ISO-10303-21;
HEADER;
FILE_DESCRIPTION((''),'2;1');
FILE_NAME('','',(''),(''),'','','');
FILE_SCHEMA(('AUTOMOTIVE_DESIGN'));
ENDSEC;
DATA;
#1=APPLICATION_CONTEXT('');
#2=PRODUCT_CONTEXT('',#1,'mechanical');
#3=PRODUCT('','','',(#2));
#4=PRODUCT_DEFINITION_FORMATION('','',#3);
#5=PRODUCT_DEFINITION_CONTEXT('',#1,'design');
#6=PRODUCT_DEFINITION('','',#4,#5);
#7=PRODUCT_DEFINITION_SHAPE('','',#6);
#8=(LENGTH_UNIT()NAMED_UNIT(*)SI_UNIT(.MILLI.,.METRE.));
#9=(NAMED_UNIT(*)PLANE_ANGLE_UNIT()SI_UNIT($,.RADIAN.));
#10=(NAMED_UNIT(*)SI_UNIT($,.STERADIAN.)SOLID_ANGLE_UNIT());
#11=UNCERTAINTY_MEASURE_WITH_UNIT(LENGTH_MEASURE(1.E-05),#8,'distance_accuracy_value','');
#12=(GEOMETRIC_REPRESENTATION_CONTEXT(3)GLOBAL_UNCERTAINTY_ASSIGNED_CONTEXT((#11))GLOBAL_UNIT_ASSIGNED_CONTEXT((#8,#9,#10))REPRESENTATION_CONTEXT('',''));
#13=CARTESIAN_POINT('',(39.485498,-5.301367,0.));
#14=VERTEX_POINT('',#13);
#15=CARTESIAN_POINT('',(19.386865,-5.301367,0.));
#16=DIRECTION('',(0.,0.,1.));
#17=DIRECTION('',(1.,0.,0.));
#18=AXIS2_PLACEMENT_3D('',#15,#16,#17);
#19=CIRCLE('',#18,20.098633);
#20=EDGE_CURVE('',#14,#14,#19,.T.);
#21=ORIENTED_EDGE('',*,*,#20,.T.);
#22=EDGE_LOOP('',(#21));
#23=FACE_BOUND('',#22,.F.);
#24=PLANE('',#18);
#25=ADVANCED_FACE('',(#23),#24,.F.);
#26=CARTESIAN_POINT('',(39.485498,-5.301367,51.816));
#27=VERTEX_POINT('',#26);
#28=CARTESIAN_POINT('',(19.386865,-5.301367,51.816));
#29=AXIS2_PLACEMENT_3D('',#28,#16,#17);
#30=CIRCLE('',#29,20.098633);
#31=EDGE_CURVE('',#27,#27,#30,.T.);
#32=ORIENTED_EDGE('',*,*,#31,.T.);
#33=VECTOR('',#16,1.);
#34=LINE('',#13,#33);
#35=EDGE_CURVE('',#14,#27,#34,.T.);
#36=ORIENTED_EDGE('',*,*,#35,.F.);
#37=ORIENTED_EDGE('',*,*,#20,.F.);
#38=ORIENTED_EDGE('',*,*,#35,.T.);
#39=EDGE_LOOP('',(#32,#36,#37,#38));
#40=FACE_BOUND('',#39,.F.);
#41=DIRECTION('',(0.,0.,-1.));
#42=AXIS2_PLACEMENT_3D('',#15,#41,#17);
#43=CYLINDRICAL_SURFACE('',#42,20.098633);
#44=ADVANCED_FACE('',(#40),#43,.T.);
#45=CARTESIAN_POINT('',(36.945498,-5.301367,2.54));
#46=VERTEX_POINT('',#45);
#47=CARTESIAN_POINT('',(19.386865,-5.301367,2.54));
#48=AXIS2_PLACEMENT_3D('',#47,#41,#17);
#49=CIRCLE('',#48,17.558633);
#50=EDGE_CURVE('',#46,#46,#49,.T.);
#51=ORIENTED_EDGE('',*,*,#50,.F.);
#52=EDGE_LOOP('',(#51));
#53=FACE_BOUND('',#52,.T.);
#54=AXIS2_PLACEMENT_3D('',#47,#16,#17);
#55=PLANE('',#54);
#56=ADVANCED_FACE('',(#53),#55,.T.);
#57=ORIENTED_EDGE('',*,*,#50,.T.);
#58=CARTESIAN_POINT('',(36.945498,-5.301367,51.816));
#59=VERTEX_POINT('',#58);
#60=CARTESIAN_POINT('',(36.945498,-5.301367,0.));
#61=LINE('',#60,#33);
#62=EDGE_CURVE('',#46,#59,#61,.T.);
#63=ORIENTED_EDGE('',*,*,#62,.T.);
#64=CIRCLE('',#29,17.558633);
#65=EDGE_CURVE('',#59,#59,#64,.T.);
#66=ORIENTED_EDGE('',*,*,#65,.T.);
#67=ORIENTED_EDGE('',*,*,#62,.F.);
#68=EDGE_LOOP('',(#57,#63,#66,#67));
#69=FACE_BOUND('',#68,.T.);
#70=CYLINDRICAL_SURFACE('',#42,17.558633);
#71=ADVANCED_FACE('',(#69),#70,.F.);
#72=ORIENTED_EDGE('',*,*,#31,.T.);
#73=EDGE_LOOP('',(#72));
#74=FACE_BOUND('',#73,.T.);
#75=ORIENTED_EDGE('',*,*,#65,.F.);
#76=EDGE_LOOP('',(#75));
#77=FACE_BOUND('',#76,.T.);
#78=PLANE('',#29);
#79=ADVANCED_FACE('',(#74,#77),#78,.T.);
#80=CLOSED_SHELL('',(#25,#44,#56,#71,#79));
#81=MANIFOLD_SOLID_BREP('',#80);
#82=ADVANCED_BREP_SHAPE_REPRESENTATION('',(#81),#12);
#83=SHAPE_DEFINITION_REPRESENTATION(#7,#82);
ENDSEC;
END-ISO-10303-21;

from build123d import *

# Parameters (mm, degrees)
F0_R     = 20.098633
F1_DEPTH = 51.816
F2_T     = -2.54


with BuildPart() as f1:
    # F0 (on Top) → F1 (new body)
    with BuildSketch(Plane.XY):
        with Locations((19.386865, -5.301367)):
            Circle(F0_R)
    extrude(amount=F1_DEPTH)

    # F2
    f2_openings = [f1.faces().sort_by_distance(p)[0] for p in [
        (19.386865, -5.301367, 51.816),
    ]]
    offset(amount=F2_T, openings=f2_openings)


solid = f1.part
